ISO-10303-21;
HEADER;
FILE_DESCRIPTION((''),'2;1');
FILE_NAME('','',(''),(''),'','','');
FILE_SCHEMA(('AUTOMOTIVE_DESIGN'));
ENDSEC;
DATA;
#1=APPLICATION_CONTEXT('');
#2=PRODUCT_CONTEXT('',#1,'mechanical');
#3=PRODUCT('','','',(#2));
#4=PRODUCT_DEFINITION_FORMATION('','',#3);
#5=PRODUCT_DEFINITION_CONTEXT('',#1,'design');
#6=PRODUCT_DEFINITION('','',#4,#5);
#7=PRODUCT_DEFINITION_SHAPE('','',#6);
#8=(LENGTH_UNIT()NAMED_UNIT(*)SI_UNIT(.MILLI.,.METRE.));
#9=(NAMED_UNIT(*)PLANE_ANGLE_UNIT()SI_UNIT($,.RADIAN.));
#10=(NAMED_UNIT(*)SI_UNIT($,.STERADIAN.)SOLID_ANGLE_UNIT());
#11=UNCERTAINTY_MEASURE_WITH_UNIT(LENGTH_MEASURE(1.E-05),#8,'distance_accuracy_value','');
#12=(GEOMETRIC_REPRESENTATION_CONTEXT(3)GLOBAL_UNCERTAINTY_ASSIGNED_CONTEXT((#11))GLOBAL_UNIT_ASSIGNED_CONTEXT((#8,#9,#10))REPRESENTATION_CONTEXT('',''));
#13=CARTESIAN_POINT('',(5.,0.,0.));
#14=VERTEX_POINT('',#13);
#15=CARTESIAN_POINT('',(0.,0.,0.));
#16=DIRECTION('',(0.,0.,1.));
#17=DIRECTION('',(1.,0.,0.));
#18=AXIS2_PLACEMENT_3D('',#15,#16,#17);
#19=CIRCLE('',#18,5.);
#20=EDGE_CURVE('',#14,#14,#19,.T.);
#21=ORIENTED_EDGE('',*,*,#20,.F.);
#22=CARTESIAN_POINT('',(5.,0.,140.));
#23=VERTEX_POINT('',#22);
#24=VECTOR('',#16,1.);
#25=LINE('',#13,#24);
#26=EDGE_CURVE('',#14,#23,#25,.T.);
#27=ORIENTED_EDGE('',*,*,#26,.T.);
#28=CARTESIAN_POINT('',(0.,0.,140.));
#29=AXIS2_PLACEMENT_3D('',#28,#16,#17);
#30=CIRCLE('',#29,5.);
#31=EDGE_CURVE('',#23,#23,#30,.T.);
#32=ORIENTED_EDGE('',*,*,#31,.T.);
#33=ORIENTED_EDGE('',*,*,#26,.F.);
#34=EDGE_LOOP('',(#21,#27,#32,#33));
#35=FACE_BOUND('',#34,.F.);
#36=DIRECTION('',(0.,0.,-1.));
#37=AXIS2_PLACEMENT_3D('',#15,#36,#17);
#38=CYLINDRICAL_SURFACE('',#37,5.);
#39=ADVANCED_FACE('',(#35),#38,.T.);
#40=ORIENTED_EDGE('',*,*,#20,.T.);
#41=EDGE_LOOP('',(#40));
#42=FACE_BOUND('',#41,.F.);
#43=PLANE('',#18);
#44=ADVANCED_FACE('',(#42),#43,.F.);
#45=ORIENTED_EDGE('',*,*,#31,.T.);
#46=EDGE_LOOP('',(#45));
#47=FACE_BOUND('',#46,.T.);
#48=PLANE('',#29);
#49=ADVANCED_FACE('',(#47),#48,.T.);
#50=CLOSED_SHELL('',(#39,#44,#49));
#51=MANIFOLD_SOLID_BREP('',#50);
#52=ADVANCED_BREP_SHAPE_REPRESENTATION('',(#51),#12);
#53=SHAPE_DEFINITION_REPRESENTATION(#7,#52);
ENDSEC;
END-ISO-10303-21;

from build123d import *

# Parameters (mm, degrees)
SKETCH1_R           = 5
BOSS_EXTRUDE1_DEPTH = 140


with BuildPart() as part:
    # Sketch1 → Boss-Extrude1 (new body)
    with BuildSketch(Plane.XY):
        Circle(SKETCH1_R)
    extrude(amount=BOSS_EXTRUDE1_DEPTH)


solid = part.part
